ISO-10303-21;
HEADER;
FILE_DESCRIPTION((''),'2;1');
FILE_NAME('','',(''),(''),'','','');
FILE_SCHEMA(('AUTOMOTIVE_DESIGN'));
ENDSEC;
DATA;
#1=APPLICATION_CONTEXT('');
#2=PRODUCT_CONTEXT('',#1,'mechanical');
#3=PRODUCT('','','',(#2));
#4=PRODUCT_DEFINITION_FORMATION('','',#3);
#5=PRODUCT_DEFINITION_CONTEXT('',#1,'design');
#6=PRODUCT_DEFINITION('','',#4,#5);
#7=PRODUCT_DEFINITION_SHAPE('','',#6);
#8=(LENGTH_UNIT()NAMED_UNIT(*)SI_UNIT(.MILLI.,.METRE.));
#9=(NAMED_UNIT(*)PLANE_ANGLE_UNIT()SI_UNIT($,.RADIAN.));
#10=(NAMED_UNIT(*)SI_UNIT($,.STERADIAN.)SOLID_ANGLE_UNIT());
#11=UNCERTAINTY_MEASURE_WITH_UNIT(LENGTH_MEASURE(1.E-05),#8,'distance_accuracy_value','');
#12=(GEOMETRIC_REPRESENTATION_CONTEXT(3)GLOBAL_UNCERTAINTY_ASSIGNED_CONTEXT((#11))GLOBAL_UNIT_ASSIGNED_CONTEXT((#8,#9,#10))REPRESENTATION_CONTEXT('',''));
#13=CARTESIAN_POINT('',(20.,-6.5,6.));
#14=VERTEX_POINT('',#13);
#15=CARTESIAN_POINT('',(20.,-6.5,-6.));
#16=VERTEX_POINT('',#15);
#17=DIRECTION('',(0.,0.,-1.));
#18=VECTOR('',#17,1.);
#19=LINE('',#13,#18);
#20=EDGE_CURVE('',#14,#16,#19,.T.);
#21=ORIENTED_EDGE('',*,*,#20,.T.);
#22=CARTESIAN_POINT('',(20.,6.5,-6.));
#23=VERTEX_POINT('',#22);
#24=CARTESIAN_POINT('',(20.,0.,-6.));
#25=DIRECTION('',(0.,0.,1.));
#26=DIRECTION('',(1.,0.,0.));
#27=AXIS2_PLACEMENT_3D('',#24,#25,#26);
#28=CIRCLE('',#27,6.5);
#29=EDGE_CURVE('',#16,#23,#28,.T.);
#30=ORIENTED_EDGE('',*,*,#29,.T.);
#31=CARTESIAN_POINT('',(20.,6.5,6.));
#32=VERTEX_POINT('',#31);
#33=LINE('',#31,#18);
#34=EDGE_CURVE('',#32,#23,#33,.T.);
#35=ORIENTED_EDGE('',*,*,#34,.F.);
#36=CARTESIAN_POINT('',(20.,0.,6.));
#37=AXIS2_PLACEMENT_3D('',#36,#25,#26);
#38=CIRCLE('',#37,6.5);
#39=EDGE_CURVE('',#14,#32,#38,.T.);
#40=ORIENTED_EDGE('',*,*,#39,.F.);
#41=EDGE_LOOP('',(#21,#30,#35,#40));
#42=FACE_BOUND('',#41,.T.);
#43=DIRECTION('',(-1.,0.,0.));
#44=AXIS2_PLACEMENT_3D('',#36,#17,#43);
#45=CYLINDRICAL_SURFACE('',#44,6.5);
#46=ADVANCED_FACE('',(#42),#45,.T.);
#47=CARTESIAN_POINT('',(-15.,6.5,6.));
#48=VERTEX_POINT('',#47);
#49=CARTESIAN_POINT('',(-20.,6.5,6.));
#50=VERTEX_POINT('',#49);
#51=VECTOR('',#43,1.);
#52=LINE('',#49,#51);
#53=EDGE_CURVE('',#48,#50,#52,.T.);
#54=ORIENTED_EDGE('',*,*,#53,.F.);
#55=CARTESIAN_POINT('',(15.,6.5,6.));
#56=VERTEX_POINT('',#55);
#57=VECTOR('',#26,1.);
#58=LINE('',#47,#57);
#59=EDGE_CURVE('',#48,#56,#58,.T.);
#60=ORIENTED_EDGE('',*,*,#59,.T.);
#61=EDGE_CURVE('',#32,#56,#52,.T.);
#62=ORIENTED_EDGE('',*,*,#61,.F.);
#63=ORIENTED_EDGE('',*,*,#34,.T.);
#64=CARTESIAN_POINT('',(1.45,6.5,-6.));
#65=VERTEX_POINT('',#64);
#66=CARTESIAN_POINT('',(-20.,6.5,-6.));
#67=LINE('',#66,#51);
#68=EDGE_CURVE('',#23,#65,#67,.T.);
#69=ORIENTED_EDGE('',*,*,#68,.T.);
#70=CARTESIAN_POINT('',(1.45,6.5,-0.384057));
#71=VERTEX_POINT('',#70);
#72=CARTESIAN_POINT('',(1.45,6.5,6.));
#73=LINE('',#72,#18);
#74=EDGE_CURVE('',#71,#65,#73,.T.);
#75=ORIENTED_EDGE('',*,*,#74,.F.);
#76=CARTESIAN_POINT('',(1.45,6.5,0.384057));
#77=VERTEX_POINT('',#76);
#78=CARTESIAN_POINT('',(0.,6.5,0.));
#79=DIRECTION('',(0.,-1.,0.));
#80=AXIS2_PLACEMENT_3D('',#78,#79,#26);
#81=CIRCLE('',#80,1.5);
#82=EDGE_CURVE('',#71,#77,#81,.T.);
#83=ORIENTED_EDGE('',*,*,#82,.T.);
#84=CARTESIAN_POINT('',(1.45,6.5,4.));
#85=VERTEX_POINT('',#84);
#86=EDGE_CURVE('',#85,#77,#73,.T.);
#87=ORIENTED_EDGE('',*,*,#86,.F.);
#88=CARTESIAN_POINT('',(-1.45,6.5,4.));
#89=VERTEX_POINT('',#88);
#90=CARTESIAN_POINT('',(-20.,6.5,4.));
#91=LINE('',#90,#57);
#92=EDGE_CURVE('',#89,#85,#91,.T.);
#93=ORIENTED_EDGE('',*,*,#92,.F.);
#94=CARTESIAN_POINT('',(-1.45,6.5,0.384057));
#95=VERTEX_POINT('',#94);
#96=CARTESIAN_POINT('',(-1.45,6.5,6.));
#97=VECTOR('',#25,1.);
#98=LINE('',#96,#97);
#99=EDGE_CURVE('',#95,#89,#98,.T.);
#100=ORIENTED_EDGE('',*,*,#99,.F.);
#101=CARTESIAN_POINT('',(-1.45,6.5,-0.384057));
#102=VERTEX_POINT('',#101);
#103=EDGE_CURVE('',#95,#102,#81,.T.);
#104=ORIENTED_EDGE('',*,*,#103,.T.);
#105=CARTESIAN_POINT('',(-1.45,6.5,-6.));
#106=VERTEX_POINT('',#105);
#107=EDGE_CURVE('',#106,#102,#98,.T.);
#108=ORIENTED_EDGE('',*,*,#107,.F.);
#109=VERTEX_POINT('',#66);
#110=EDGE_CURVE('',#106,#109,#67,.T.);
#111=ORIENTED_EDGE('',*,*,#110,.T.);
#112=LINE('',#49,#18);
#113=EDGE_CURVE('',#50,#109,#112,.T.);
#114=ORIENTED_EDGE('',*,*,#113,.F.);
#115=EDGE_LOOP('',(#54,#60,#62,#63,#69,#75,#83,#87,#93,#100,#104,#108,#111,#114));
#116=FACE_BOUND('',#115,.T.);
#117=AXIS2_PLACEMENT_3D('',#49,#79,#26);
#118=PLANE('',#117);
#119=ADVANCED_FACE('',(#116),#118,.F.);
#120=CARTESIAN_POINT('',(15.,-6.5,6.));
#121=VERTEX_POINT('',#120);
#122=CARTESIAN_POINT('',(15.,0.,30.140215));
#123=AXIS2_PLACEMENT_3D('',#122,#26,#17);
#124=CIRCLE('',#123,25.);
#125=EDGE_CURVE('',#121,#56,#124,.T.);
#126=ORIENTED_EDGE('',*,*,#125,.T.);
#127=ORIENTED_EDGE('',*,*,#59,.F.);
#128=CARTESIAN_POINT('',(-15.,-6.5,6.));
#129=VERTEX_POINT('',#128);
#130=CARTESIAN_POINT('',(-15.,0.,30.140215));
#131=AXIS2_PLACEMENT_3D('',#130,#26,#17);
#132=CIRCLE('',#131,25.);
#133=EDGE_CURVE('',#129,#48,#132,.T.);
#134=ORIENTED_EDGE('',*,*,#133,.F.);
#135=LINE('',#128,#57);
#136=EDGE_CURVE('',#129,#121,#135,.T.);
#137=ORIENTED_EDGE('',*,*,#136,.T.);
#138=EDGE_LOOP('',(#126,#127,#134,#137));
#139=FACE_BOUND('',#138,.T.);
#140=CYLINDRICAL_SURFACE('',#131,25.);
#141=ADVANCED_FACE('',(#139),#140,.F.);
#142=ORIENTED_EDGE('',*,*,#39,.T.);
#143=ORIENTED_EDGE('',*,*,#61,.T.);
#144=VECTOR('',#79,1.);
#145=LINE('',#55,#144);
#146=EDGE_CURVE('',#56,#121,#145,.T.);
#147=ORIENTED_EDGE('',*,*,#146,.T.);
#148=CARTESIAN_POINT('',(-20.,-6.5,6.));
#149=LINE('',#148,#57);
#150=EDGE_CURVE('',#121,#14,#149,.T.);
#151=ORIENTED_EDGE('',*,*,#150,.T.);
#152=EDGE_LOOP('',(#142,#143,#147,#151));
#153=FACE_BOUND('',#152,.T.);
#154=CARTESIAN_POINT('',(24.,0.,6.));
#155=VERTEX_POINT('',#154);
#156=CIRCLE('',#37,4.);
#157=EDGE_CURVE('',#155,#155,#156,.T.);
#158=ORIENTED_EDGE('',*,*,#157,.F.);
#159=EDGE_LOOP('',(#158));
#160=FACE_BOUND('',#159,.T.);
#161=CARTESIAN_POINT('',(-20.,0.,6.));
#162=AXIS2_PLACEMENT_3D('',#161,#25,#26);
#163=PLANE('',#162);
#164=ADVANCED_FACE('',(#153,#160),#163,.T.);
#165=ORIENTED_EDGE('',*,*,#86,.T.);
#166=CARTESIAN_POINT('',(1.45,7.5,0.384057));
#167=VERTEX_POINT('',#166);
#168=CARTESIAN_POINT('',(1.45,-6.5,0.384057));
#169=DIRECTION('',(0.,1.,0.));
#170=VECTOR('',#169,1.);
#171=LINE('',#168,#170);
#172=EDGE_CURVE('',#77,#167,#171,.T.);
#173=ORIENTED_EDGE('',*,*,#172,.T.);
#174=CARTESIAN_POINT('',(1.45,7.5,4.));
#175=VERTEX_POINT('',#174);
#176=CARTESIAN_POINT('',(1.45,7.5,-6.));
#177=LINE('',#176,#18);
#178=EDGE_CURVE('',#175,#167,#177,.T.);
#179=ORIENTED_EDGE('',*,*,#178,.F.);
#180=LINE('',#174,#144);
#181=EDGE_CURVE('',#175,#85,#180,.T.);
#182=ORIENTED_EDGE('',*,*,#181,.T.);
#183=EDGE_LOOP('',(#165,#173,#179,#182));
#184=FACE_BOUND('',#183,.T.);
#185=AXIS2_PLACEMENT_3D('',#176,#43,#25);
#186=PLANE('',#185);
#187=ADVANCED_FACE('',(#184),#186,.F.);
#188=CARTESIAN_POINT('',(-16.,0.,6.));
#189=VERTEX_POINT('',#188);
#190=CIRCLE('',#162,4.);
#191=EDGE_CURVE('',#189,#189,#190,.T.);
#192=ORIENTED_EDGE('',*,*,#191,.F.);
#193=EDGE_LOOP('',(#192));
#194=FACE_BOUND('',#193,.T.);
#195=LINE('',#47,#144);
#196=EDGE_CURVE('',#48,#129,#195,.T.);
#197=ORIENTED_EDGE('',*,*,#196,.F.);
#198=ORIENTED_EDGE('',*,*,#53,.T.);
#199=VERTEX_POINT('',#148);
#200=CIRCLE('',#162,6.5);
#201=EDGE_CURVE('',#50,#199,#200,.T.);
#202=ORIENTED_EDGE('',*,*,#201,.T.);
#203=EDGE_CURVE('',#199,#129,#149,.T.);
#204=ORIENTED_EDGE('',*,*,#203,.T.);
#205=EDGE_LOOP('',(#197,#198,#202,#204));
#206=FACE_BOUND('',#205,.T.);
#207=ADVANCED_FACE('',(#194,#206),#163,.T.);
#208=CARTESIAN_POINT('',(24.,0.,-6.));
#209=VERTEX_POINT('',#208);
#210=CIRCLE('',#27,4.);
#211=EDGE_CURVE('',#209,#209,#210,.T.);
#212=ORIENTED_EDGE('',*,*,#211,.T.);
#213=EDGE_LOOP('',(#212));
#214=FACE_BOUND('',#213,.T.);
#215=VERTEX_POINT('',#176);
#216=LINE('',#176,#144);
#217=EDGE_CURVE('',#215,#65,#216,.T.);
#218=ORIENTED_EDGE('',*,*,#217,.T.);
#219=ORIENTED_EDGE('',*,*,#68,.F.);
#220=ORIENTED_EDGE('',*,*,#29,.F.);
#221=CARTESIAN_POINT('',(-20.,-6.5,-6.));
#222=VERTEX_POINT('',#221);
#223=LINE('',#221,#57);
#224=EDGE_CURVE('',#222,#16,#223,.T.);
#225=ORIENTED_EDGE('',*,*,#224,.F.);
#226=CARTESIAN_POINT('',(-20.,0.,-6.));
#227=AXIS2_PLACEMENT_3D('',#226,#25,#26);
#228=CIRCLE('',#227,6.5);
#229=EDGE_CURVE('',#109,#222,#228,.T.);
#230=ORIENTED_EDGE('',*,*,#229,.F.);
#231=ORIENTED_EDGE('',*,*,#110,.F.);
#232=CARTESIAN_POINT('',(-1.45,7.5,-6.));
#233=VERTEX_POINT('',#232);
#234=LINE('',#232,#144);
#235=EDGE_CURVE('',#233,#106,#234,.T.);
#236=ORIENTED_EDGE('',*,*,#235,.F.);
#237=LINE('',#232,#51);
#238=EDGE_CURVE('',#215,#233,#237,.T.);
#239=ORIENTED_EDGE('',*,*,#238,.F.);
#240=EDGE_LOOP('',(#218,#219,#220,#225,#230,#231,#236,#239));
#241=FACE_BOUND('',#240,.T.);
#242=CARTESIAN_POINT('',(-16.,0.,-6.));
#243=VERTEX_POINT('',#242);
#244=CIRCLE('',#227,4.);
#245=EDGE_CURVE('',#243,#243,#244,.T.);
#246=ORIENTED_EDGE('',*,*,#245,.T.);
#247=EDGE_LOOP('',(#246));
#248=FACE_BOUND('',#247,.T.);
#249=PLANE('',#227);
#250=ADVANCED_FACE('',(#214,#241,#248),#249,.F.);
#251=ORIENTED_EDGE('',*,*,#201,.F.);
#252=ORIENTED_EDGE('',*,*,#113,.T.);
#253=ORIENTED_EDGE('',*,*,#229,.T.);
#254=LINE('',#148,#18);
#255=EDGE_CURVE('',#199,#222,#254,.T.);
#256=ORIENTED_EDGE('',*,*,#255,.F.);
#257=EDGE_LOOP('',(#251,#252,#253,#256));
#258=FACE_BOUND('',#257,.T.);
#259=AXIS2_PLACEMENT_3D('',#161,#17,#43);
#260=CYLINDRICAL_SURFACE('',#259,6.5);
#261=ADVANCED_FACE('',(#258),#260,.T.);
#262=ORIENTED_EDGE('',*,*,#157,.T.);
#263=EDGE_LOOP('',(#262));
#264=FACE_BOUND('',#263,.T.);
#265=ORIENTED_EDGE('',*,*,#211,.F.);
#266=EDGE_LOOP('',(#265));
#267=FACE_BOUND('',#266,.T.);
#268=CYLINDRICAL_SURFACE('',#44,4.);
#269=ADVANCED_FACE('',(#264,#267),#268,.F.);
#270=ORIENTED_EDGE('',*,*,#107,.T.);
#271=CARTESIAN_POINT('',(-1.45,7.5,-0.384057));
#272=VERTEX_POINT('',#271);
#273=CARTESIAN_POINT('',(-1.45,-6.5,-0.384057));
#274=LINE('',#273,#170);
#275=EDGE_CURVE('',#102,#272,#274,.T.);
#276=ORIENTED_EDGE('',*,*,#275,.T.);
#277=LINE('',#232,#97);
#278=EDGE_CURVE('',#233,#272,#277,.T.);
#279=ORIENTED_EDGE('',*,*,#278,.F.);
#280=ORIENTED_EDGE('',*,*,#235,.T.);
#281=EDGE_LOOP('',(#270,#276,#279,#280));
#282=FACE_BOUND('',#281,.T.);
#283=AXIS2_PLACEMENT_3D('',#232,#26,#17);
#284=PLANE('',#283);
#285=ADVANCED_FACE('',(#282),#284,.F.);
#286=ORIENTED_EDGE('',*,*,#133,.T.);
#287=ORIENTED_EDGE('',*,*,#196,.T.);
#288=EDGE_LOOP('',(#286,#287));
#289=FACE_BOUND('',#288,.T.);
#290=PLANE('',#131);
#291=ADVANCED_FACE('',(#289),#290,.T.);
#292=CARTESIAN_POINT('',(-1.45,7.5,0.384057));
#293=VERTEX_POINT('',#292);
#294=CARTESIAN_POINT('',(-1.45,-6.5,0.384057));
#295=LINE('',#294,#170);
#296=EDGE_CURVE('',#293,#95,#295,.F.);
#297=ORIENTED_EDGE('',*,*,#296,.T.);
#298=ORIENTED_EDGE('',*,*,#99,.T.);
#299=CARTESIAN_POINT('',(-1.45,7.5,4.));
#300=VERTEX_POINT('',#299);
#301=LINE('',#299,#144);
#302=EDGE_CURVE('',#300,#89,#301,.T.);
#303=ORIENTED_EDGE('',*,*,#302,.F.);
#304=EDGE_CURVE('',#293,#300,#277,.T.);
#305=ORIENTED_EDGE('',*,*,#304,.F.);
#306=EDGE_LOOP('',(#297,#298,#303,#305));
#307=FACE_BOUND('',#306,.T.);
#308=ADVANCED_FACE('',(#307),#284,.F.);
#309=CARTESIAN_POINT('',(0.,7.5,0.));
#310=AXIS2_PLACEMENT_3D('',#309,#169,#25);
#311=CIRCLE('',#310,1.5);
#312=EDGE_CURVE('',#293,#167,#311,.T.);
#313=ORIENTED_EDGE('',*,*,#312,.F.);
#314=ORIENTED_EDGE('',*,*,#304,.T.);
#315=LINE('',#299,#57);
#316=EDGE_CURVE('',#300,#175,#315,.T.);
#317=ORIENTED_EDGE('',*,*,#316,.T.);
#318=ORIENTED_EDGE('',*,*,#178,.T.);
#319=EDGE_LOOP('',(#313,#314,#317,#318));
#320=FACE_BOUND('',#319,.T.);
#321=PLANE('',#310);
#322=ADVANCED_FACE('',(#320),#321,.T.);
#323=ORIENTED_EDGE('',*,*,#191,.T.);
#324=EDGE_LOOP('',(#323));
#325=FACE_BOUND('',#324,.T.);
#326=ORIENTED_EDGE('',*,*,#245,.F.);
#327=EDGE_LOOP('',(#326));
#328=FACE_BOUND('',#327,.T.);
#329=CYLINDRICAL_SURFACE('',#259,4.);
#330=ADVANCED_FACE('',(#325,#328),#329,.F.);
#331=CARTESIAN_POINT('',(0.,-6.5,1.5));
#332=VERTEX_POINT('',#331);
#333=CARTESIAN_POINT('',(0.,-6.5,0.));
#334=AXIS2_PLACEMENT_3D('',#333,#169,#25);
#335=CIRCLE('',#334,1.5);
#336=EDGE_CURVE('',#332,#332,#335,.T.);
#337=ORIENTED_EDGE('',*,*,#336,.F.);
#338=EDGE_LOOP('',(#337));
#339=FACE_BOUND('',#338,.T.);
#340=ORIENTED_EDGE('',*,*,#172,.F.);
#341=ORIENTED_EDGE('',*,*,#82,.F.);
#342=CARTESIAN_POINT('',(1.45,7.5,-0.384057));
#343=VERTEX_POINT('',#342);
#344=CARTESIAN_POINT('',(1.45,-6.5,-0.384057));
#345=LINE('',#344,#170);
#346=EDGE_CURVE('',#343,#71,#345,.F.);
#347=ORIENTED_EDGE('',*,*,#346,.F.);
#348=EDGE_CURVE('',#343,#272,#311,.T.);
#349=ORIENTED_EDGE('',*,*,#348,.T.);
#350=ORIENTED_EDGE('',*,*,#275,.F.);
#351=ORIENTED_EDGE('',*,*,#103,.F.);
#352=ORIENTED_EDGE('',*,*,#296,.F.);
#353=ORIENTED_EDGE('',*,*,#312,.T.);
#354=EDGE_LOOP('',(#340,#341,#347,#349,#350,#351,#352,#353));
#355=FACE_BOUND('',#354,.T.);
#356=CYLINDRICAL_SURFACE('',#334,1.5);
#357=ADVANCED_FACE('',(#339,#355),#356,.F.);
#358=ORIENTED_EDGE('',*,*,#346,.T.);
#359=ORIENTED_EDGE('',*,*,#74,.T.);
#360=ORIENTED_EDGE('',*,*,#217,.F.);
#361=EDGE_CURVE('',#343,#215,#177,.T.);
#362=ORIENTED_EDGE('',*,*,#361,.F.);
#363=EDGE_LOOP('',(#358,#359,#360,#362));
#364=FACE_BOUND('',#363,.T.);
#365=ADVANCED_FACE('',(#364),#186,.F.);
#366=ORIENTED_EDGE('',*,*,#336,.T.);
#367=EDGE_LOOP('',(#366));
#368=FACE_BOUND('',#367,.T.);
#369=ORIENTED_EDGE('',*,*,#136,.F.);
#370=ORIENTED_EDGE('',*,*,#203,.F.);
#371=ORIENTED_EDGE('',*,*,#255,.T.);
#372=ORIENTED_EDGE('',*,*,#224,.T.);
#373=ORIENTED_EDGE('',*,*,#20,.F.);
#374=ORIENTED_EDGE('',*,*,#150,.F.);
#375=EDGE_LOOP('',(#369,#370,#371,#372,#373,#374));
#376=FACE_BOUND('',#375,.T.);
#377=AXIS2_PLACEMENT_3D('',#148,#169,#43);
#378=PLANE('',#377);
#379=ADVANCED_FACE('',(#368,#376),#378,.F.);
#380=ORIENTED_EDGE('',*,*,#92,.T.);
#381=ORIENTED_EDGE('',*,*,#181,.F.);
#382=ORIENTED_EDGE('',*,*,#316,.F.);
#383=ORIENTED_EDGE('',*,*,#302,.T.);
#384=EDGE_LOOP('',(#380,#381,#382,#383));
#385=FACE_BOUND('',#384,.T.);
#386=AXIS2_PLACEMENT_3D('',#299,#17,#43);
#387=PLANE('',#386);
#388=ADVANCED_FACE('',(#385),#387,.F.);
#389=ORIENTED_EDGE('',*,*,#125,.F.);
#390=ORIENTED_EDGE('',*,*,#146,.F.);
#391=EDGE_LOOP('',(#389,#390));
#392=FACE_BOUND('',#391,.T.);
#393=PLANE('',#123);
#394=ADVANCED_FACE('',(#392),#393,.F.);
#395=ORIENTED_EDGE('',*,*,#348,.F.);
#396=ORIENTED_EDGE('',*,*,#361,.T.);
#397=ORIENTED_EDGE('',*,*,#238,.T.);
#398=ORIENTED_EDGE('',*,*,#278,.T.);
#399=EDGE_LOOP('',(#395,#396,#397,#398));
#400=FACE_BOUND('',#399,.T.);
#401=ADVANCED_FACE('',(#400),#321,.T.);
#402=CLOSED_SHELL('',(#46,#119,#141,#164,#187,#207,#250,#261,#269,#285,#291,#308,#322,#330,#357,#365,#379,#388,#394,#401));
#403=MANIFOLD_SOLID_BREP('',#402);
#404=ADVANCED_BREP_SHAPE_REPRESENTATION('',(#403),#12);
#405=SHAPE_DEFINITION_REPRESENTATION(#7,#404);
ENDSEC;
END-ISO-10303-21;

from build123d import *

# Parameters (mm, degrees)
SKETCH1_R             = 4
MAIN_DEPTH            = 6
SCREWBALLDRIVER_DEPTH = 15
SKETCH3_W             = 2.9
SKETCH3_H             = 10
MAKERBEAMRAIL_DEPTH   = 7.5
SKETCH4_R             = 1.5
MAKERBEAMHOLE_DEPTH   = 15


with BuildPart() as part:
    # Sketch1 → Main (new body, symmetric)
    with BuildSketch(Plane.XY):
        with BuildLine():
            Line((-20, 6.5), (20, 6.5))
            ThreePointArc((20, 6.5), (26.5, 0), (20, -6.5))
            Line((20, -6.5), (-20, -6.5))
            ThreePointArc((-20, -6.5), (-26.5, 0), (-20, 6.5))
        make_face()
        with Locations((-20, 0)):
            Circle(SKETCH1_R, mode=Mode.SUBTRACT)
        with Locations((20, 0)):
            Circle(SKETCH1_R, mode=Mode.SUBTRACT)
    extrude(amount=MAIN_DEPTH, both=True)

    # Sketch2 → ScrewBallDriver (cut, symmetric)
    with BuildSketch(Plane(origin=(0, 0, 0), x_dir=(0, 0, -1), z_dir=(1, 0, 0))):
        with BuildLine():
            Line((-6, 6.5), (-6, -6.5))
            ThreePointArc((-6, -6.5), (-5.140215409, 0), (-6, 6.5))
        make_face()
    extrude(amount=SCREWBALLDRIVER_DEPTH, both=True, mode=Mode.SUBTRACT)

    # Sketch3 → MakerBeamRail (add)
    with BuildSketch(Plane(origin=(0, 0, 0), x_dir=(1, 0, 0), z_dir=(0, 1, 0))):
        with Locations((0, 1)):
            Rectangle(SKETCH3_W, SKETCH3_H)
    extrude(amount=MAKERBEAMRAIL_DEPTH)

    # Sketch4 → MakerBeamHole (cut, through all)
    with BuildSketch(Plane(origin=(0, 7.5, 0), x_dir=(1, 0, 0), z_dir=(0, 1, 0))):
        Circle(SKETCH4_R)
    extrude(amount=-MAKERBEAMHOLE_DEPTH, mode=Mode.SUBTRACT)


solid = part.part
